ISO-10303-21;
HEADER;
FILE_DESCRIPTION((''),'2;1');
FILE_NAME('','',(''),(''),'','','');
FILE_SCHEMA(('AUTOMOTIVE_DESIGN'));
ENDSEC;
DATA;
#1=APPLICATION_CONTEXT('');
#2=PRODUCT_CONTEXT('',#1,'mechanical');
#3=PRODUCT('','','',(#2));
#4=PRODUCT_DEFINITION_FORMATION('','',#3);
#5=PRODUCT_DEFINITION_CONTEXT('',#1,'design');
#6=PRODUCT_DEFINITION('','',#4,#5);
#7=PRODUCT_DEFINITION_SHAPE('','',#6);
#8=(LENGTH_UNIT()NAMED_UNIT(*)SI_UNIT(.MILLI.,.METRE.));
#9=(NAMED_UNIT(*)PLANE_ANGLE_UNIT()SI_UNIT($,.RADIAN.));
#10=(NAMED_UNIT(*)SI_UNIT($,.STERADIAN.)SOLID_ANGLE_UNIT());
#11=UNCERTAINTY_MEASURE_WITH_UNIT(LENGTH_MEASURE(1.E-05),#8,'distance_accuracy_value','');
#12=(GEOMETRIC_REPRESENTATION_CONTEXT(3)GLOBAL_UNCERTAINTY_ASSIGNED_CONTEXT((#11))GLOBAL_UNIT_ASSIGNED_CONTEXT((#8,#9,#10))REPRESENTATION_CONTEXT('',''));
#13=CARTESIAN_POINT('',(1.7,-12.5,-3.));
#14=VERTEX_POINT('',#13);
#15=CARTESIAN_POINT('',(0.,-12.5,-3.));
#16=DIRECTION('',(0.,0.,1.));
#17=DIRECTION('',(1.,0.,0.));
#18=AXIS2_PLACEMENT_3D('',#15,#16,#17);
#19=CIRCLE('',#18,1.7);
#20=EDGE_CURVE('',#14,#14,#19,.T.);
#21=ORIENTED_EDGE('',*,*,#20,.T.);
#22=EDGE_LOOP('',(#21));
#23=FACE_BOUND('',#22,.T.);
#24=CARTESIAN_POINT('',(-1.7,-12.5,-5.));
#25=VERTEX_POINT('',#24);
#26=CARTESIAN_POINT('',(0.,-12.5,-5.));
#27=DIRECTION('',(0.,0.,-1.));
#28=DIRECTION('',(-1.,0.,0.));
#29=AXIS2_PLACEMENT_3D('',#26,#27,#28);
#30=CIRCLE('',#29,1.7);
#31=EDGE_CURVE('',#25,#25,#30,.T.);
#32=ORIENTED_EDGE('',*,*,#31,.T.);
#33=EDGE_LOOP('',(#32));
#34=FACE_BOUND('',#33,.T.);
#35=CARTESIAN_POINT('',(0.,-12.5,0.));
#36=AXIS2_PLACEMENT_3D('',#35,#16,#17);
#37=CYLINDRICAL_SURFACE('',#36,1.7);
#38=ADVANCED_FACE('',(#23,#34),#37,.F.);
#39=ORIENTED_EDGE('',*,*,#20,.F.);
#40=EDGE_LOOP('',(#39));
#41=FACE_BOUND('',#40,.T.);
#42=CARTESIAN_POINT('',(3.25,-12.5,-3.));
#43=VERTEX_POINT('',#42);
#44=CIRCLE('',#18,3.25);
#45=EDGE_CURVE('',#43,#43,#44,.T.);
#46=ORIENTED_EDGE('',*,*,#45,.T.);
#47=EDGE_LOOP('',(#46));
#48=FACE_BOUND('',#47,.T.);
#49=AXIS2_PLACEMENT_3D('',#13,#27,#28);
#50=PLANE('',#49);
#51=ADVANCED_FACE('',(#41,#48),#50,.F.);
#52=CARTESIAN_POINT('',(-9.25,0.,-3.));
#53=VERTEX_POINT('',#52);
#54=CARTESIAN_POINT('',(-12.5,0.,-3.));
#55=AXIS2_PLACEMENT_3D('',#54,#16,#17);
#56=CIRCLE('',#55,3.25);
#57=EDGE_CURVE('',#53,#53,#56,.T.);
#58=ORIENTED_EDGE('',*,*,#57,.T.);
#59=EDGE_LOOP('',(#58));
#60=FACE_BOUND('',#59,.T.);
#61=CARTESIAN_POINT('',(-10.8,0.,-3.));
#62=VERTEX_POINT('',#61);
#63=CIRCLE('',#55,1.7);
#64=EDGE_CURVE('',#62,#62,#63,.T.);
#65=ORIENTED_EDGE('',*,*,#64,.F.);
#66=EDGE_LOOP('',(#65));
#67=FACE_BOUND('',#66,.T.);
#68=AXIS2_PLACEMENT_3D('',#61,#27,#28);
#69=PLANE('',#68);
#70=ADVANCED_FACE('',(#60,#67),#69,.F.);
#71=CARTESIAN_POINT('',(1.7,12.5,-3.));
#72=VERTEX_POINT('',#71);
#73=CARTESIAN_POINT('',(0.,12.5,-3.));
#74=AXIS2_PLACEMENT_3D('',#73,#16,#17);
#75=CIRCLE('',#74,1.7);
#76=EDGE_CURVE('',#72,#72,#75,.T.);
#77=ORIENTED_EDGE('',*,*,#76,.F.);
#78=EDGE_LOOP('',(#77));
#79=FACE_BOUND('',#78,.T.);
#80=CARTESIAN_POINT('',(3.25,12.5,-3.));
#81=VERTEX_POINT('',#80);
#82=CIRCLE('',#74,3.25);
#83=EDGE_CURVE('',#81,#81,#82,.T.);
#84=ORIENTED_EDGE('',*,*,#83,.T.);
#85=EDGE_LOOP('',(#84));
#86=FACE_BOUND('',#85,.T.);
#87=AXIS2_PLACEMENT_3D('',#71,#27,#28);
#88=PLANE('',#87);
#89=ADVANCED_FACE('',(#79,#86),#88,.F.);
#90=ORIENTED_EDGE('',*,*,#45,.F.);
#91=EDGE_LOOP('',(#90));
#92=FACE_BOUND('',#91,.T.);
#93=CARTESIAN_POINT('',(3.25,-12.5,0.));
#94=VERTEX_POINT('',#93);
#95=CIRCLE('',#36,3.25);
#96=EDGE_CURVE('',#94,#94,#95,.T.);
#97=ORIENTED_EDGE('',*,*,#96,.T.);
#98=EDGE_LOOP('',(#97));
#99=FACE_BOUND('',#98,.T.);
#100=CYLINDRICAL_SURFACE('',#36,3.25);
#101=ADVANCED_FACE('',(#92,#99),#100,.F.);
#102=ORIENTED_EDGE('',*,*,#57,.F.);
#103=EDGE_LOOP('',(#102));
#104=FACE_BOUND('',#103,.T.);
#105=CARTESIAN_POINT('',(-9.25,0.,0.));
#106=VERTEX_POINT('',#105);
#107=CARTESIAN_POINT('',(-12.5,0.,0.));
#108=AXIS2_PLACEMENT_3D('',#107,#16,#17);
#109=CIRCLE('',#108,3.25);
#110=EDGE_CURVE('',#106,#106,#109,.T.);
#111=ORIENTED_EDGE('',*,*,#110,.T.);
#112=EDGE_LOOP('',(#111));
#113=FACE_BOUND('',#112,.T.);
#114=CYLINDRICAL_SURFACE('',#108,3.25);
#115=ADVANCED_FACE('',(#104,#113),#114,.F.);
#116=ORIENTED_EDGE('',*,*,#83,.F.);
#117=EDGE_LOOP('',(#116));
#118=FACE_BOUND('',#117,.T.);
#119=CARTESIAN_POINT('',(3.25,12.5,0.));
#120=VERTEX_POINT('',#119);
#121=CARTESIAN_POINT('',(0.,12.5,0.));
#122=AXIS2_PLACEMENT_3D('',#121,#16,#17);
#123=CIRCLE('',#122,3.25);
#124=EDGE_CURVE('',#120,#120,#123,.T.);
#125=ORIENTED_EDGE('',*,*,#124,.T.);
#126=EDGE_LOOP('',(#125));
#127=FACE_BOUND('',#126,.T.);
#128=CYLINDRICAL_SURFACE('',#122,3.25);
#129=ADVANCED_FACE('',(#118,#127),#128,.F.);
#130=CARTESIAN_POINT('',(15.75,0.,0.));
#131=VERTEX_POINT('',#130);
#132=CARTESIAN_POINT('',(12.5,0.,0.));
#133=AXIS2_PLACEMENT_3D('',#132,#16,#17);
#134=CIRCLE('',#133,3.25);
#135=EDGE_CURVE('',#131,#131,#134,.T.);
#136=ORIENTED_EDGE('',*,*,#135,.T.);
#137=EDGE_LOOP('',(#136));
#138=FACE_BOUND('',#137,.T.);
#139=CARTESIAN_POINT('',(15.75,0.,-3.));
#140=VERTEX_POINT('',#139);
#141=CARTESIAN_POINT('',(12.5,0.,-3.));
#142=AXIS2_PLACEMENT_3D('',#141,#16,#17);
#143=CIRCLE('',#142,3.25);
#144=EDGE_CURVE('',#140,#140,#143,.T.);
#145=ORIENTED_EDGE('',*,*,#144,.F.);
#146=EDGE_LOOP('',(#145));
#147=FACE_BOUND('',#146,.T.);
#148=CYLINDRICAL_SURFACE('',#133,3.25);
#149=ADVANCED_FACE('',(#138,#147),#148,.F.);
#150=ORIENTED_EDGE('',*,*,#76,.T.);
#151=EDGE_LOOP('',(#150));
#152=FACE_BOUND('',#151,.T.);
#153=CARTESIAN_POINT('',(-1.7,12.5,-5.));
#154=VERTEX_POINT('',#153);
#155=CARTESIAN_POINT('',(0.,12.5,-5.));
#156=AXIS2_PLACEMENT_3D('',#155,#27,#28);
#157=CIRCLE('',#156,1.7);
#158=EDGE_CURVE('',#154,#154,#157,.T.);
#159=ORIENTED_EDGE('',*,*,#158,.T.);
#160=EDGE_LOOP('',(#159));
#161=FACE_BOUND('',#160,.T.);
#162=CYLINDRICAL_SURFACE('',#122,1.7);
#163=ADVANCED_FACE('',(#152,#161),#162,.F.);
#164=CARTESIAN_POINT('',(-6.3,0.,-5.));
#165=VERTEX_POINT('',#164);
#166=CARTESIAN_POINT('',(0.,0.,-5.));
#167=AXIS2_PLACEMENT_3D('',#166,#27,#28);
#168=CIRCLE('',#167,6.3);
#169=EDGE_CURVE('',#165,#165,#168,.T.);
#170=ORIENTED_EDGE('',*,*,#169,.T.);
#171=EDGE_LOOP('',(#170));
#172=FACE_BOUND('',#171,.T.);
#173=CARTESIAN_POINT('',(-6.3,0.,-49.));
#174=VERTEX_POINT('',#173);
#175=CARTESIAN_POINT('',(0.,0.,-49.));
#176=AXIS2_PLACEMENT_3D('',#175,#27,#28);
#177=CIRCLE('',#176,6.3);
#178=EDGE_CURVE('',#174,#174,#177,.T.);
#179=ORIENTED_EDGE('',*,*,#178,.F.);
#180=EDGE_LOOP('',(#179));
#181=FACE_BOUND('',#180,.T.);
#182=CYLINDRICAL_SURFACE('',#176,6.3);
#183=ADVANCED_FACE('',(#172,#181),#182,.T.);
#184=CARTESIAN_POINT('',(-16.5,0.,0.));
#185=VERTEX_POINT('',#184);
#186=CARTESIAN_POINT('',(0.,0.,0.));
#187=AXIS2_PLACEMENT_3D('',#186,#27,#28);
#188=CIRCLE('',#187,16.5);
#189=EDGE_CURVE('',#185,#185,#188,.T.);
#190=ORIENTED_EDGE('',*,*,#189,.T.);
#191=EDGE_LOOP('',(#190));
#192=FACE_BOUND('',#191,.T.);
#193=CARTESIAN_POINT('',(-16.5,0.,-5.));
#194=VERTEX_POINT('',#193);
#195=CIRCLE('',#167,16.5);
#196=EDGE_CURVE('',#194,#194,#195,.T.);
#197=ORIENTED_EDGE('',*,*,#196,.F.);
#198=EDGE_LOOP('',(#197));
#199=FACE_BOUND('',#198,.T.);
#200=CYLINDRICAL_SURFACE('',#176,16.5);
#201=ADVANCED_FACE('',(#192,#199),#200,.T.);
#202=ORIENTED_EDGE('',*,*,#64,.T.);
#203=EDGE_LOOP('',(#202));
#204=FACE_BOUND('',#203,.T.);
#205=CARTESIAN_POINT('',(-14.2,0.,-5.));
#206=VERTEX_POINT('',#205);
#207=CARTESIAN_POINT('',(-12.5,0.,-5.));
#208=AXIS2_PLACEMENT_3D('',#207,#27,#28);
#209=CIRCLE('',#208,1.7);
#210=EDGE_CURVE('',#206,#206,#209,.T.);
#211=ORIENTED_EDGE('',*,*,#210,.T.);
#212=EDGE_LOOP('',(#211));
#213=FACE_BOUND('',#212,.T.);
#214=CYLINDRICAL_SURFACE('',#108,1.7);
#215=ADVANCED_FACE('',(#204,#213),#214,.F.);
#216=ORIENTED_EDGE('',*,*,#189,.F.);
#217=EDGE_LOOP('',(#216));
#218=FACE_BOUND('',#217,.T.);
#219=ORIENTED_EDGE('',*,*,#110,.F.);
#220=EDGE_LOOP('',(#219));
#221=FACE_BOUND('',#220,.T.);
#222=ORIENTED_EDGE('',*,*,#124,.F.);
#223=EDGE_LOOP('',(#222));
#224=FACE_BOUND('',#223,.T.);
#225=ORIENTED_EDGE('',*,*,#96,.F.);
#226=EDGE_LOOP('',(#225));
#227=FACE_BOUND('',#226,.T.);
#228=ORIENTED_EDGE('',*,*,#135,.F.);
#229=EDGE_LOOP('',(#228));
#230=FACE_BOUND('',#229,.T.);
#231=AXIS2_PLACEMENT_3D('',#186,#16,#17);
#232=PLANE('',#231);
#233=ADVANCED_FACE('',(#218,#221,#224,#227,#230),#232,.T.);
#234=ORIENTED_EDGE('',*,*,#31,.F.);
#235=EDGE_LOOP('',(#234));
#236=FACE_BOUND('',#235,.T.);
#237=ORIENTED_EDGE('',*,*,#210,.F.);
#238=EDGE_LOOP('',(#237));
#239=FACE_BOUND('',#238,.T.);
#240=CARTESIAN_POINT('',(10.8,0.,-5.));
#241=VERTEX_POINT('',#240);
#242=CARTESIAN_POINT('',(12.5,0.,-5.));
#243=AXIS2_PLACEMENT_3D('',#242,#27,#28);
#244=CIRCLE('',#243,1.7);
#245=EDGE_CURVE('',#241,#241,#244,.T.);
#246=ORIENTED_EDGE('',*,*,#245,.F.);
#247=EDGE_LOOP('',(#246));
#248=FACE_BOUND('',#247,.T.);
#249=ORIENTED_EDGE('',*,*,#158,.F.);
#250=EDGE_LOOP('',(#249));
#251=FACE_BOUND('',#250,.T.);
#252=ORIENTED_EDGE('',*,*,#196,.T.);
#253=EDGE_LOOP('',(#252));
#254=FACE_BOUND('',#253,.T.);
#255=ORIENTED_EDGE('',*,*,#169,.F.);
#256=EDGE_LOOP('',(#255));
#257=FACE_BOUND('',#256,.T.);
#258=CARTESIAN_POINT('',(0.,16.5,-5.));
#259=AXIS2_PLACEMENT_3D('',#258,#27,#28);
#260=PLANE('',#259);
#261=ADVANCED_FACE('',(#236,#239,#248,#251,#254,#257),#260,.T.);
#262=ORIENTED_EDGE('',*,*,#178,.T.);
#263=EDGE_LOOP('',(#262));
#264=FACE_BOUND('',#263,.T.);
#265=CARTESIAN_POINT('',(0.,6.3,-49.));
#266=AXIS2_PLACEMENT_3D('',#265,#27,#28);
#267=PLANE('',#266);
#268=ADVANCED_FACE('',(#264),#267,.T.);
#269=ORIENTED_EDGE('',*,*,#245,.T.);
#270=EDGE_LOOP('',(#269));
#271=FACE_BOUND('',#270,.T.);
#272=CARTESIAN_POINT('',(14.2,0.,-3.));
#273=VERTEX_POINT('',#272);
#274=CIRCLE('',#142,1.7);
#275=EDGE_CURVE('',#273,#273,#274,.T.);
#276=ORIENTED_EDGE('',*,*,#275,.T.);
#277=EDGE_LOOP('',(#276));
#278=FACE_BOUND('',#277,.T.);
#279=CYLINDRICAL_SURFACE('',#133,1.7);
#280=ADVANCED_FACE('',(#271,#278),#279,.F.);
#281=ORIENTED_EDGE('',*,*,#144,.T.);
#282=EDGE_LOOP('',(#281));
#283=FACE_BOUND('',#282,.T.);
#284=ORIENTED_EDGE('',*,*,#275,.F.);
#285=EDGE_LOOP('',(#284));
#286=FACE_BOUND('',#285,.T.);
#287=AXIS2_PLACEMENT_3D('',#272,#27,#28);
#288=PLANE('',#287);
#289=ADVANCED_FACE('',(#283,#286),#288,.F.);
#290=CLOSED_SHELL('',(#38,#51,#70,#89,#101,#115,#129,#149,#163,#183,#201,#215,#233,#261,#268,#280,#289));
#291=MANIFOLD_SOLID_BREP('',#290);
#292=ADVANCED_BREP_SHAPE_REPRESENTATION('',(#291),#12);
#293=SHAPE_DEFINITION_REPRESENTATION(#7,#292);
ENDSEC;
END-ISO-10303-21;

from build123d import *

# Parameters (mm, degrees)
HOLE_WIZARD_M31_D           = 3.4
HOLE_WIZARD_M31_CBORE_D     = 6.5
HOLE_WIZARD_M31_CBORE_DEPTH = 3


with BuildPart() as part:
    # Эскиз2 → Повернуть1 (revolve)
    with BuildSketch(Plane(origin=(0, 0, 0), x_dir=(0, 0, -1), z_dir=(1, 0, 0)), mode=Mode.PRIVATE) as revolve_1_sk:
        Polygon((0, 0), (0, 16.5), (5, 16.5), (5, 6.3), (49, 6.3), (49, 0), align=None)
    revolve(revolve_1_sk.sketch.rotate(Axis((0, 0, -49), (0, 0, 1)), 90), axis=Axis((0, 0, -49), (0, 0, 1)))

    # Цековка для винта с внутренним шестигранником M31 (through all)
    with Locations(Plane.XY):
        with Locations((-12.5, 0), (0, 12.5), (12.5, 0), (0, -12.5)):
            CounterBoreHole(HOLE_WIZARD_M31_D / 2, HOLE_WIZARD_M31_CBORE_D / 2, HOLE_WIZARD_M31_CBORE_DEPTH)


solid = part.part
